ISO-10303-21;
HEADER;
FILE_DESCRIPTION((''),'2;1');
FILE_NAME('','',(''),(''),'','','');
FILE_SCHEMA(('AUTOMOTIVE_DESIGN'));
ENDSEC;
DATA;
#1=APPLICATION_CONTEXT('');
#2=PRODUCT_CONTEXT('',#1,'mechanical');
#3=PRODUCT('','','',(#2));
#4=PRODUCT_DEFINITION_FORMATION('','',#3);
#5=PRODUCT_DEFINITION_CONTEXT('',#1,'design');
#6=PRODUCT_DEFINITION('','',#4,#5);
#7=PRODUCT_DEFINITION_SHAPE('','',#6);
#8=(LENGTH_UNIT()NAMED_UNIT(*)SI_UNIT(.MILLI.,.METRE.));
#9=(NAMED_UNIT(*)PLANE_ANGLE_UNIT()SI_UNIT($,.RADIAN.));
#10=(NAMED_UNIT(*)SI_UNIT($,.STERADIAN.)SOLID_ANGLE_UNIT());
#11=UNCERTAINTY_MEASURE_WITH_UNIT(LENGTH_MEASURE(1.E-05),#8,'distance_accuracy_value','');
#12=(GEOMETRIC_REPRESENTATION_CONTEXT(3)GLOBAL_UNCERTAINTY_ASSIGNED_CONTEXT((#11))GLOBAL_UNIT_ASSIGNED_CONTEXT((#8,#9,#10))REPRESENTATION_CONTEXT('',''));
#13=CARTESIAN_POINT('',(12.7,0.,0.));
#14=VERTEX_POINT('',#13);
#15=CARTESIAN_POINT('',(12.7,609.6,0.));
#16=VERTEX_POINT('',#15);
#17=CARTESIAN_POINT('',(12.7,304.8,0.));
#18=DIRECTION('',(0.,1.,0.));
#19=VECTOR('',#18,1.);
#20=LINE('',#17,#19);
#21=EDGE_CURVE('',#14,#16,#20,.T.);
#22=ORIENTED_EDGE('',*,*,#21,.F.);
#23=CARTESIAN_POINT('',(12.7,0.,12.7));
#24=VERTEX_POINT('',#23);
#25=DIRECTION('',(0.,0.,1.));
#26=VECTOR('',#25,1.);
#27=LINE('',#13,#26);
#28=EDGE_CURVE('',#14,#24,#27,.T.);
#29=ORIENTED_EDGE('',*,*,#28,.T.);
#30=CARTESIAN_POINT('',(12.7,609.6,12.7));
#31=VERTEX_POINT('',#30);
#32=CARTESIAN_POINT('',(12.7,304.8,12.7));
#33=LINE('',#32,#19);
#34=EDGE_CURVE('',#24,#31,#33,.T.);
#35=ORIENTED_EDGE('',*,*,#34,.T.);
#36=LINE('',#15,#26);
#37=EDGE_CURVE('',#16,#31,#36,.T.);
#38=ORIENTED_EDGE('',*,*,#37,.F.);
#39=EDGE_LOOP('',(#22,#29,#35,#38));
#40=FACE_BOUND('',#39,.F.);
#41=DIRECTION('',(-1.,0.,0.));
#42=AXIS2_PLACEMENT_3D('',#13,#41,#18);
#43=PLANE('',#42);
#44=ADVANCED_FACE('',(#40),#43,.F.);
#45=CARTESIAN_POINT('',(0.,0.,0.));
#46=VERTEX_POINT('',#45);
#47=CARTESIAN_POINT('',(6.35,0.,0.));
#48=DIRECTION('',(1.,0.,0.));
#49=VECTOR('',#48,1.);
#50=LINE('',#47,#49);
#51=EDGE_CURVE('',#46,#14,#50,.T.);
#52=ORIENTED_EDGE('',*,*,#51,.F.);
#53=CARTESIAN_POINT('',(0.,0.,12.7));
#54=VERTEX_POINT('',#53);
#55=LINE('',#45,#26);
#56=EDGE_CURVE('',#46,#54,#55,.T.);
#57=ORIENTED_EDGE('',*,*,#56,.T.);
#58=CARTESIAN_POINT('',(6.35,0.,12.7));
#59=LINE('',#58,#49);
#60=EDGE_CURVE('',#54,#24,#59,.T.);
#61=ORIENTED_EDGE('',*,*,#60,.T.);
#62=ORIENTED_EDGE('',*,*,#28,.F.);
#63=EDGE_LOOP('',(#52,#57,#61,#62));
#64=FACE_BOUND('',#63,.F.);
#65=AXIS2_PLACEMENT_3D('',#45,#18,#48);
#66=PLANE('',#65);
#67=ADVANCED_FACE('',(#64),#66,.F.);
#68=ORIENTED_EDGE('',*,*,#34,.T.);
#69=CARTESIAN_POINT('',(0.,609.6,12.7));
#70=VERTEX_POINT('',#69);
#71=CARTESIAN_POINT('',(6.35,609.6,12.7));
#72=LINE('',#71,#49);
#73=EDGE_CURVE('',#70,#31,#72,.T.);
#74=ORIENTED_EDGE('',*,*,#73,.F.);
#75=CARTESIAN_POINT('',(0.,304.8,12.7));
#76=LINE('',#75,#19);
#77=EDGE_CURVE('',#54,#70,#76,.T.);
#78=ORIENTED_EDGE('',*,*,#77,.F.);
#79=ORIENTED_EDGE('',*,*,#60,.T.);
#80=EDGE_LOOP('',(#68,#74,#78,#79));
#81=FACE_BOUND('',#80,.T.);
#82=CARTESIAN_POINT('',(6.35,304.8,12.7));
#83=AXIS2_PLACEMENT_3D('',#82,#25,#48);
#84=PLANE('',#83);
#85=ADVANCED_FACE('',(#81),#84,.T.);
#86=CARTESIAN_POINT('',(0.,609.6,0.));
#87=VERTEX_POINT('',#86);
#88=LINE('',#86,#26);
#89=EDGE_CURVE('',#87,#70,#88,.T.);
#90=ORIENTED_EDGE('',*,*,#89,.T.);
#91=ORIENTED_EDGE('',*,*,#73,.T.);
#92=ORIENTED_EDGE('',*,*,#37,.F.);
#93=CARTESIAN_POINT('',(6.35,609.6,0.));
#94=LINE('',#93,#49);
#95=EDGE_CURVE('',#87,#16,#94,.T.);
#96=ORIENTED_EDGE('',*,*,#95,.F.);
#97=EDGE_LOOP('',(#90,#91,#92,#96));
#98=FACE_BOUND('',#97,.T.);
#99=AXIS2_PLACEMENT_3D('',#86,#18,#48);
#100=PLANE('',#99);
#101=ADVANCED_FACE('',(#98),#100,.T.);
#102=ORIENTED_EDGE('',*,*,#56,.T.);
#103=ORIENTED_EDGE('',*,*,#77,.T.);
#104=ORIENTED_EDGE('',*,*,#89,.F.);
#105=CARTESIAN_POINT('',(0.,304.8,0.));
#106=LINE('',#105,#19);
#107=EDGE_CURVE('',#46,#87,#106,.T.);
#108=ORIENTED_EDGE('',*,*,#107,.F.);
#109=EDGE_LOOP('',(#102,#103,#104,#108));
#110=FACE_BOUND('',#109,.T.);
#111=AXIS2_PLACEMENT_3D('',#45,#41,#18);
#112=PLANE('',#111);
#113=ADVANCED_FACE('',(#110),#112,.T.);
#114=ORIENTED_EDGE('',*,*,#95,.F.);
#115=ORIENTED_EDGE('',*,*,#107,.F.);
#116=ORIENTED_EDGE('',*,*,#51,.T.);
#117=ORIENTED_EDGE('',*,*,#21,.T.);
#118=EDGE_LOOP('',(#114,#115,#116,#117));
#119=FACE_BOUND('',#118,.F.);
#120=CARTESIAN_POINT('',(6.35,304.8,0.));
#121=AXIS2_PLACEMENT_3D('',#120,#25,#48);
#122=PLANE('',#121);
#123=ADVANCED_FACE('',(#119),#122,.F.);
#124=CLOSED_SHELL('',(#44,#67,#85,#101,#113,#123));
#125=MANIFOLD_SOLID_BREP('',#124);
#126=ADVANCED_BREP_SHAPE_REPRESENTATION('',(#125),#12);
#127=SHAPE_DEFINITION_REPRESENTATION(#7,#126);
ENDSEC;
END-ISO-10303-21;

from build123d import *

# Parameters (mm, degrees)
BOX_W     = 12.7
BOX_H     = 609.6
BOX_DEPTH = 12.7


with BuildPart() as part:
    # Box → Box (new body)
    with BuildSketch(Plane.XY):
        with Locations((6.35, 304.8)):
            Rectangle(BOX_W, BOX_H)
    extrude(amount=BOX_DEPTH)


solid = part.part
